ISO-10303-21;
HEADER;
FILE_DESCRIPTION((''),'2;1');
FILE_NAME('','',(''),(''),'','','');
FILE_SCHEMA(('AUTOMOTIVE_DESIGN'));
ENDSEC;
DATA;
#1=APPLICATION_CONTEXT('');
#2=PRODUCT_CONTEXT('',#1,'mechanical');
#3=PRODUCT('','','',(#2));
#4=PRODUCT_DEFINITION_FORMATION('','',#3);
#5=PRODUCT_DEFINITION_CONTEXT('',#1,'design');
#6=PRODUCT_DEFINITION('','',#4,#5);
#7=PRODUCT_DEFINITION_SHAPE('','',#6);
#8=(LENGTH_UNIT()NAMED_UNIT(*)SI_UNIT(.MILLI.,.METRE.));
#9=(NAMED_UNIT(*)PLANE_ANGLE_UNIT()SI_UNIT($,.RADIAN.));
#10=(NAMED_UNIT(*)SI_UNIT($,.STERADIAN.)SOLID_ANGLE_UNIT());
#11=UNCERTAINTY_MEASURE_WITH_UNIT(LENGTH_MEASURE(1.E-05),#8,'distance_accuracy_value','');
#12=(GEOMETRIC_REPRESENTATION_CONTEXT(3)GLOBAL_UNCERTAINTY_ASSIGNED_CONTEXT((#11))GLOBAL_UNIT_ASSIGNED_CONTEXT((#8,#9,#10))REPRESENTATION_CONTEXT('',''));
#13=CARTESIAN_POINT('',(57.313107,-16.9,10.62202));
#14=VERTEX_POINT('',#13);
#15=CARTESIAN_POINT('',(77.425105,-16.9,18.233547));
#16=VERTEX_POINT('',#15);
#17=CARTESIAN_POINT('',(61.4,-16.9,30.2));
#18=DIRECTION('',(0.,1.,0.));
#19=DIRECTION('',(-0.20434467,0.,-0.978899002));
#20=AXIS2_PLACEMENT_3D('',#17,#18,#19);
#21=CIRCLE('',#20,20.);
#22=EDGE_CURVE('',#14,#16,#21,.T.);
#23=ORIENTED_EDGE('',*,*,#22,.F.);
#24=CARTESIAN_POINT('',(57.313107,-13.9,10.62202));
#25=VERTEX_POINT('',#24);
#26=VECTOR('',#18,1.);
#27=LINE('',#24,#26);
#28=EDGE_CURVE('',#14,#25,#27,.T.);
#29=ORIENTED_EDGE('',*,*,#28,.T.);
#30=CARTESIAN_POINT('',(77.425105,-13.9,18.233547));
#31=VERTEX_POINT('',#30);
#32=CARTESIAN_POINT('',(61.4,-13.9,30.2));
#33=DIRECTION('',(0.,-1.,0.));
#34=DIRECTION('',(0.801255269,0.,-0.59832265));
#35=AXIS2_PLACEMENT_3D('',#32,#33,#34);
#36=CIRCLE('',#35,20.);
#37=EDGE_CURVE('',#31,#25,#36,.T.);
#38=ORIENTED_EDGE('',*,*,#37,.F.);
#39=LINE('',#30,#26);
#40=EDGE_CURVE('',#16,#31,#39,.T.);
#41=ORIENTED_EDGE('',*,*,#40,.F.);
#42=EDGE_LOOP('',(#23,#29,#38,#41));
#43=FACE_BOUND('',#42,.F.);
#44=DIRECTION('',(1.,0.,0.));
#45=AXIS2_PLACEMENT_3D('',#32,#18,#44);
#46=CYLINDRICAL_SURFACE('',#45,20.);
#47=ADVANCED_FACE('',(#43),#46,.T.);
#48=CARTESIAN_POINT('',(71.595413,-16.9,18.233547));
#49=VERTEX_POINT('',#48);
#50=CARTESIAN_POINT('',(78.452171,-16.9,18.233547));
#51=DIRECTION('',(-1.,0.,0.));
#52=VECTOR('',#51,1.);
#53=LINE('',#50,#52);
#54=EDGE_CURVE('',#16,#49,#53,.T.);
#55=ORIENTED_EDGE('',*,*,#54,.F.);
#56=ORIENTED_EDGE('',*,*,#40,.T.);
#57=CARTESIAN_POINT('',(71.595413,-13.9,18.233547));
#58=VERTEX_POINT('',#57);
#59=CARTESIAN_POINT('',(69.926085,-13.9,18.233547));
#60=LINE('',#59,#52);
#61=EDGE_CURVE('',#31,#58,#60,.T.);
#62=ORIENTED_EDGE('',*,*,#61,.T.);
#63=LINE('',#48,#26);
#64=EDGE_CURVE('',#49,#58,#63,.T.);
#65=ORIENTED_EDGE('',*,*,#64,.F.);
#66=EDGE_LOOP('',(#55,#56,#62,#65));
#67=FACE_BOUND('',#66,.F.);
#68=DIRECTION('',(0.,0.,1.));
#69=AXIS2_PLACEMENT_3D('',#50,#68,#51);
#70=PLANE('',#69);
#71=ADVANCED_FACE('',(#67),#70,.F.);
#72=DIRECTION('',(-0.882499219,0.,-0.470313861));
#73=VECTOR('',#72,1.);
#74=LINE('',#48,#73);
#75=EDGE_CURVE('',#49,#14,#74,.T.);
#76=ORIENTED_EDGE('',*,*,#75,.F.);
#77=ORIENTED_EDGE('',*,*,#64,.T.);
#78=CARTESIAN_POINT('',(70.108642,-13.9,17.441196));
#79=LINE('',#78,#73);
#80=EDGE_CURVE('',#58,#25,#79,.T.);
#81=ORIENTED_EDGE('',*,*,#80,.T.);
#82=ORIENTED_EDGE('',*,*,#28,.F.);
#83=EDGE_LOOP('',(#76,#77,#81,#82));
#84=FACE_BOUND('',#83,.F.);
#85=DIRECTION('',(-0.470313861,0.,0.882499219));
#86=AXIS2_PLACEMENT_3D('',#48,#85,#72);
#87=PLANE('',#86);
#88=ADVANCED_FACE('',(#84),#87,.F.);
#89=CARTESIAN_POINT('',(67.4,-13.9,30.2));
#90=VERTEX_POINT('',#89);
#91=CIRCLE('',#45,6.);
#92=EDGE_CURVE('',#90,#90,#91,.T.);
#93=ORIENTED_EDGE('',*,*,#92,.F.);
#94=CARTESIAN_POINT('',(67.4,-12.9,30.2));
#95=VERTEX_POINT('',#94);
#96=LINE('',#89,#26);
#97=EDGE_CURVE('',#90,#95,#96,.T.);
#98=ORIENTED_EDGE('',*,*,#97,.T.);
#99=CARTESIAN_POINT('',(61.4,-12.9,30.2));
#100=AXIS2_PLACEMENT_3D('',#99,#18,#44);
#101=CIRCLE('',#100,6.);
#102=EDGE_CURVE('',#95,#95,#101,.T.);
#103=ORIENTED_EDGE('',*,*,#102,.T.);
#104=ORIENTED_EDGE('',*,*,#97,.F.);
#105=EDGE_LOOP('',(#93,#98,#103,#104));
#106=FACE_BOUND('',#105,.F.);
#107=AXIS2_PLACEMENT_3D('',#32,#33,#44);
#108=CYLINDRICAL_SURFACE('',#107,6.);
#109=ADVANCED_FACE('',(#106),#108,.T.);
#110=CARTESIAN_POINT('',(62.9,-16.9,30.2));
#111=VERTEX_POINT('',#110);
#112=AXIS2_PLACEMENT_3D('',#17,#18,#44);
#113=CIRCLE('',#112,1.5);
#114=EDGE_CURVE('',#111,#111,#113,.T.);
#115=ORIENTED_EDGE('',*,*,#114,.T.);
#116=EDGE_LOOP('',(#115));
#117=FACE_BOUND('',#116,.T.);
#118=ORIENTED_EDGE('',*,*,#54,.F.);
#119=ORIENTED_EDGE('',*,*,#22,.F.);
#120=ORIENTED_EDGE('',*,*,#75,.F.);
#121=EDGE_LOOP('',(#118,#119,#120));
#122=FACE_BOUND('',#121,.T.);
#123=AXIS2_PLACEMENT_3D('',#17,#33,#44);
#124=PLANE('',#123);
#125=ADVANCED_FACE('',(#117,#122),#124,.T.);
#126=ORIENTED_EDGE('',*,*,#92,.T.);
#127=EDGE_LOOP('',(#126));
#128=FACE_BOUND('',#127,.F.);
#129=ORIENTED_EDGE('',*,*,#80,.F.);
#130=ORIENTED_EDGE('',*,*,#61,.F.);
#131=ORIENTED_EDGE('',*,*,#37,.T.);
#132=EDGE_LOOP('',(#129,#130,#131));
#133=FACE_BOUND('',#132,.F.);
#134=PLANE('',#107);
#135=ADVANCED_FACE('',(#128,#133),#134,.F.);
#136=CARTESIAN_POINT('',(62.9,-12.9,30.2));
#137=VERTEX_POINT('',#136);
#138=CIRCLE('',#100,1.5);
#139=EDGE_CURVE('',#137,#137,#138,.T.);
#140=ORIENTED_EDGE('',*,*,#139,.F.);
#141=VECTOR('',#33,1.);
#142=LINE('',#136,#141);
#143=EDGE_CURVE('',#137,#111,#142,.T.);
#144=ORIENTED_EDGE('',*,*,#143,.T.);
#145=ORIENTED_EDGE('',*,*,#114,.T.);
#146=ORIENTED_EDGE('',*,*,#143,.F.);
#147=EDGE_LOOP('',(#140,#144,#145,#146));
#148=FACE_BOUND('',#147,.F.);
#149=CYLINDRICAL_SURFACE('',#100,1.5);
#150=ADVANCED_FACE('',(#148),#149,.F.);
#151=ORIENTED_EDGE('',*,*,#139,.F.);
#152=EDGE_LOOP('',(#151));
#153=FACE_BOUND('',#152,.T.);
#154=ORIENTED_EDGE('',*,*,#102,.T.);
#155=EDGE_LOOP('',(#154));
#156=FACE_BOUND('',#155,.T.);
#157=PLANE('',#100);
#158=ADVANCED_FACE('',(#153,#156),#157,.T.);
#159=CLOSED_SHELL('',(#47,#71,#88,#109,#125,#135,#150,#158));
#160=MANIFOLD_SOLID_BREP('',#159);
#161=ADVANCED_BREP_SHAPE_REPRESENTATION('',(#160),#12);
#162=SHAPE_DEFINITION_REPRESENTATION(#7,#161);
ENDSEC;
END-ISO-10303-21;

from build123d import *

# Parameters (mm, degrees)
SKETCH014_R     = 20
PAD010_DEPTH    = 3
SKETCH015_R     = 6
PAD011_DEPTH    = 1
SKETCH016_R     = 1.5
POCKET003_DEPTH = 5
POCKET004_DEPTH = 5


with BuildPart() as part:
    # Sketch014 → Pad010 (new body)
    with BuildSketch(Plane.XZ):
        Circle(SKETCH014_R)
    extrude(amount=PAD010_DEPTH)

    # Sketch015 (on Face2 of Pad010) → Pad011 (join)
    with BuildSketch(Plane(origin=(0, 0, 0), x_dir=(1, 0, 0), z_dir=(0, 1, 0))):
        Circle(SKETCH015_R)
    extrude(amount=PAD011_DEPTH)

    # Sketch016 (on Face5 of Pad011) → Pocket003 (cut)
    with BuildSketch(Plane(origin=(0, 1, 0), x_dir=(1, 0, 0), z_dir=(0, 1, 0))):
        Circle(SKETCH016_R)
    extrude(amount=-POCKET003_DEPTH, mode=Mode.SUBTRACT)

    # Sketch020 (on Face3 of Pocket003) → Pocket004 (cut)
    with BuildSketch(Plane.XZ.offset(3)):
        Polygon((17.052171, -11.966453), (10.195413, -11.966453), (-6.895316, -21.074684), (18.587267, -21.074684), align=None)
    extrude(amount=-POCKET004_DEPTH, mode=Mode.SUBTRACT)


with BuildPart() as part_1:
    # Body002 placement: moved
    add(part.part.moved(Location((61.4, -13.9, 30.2))))


solid = part_1.part
